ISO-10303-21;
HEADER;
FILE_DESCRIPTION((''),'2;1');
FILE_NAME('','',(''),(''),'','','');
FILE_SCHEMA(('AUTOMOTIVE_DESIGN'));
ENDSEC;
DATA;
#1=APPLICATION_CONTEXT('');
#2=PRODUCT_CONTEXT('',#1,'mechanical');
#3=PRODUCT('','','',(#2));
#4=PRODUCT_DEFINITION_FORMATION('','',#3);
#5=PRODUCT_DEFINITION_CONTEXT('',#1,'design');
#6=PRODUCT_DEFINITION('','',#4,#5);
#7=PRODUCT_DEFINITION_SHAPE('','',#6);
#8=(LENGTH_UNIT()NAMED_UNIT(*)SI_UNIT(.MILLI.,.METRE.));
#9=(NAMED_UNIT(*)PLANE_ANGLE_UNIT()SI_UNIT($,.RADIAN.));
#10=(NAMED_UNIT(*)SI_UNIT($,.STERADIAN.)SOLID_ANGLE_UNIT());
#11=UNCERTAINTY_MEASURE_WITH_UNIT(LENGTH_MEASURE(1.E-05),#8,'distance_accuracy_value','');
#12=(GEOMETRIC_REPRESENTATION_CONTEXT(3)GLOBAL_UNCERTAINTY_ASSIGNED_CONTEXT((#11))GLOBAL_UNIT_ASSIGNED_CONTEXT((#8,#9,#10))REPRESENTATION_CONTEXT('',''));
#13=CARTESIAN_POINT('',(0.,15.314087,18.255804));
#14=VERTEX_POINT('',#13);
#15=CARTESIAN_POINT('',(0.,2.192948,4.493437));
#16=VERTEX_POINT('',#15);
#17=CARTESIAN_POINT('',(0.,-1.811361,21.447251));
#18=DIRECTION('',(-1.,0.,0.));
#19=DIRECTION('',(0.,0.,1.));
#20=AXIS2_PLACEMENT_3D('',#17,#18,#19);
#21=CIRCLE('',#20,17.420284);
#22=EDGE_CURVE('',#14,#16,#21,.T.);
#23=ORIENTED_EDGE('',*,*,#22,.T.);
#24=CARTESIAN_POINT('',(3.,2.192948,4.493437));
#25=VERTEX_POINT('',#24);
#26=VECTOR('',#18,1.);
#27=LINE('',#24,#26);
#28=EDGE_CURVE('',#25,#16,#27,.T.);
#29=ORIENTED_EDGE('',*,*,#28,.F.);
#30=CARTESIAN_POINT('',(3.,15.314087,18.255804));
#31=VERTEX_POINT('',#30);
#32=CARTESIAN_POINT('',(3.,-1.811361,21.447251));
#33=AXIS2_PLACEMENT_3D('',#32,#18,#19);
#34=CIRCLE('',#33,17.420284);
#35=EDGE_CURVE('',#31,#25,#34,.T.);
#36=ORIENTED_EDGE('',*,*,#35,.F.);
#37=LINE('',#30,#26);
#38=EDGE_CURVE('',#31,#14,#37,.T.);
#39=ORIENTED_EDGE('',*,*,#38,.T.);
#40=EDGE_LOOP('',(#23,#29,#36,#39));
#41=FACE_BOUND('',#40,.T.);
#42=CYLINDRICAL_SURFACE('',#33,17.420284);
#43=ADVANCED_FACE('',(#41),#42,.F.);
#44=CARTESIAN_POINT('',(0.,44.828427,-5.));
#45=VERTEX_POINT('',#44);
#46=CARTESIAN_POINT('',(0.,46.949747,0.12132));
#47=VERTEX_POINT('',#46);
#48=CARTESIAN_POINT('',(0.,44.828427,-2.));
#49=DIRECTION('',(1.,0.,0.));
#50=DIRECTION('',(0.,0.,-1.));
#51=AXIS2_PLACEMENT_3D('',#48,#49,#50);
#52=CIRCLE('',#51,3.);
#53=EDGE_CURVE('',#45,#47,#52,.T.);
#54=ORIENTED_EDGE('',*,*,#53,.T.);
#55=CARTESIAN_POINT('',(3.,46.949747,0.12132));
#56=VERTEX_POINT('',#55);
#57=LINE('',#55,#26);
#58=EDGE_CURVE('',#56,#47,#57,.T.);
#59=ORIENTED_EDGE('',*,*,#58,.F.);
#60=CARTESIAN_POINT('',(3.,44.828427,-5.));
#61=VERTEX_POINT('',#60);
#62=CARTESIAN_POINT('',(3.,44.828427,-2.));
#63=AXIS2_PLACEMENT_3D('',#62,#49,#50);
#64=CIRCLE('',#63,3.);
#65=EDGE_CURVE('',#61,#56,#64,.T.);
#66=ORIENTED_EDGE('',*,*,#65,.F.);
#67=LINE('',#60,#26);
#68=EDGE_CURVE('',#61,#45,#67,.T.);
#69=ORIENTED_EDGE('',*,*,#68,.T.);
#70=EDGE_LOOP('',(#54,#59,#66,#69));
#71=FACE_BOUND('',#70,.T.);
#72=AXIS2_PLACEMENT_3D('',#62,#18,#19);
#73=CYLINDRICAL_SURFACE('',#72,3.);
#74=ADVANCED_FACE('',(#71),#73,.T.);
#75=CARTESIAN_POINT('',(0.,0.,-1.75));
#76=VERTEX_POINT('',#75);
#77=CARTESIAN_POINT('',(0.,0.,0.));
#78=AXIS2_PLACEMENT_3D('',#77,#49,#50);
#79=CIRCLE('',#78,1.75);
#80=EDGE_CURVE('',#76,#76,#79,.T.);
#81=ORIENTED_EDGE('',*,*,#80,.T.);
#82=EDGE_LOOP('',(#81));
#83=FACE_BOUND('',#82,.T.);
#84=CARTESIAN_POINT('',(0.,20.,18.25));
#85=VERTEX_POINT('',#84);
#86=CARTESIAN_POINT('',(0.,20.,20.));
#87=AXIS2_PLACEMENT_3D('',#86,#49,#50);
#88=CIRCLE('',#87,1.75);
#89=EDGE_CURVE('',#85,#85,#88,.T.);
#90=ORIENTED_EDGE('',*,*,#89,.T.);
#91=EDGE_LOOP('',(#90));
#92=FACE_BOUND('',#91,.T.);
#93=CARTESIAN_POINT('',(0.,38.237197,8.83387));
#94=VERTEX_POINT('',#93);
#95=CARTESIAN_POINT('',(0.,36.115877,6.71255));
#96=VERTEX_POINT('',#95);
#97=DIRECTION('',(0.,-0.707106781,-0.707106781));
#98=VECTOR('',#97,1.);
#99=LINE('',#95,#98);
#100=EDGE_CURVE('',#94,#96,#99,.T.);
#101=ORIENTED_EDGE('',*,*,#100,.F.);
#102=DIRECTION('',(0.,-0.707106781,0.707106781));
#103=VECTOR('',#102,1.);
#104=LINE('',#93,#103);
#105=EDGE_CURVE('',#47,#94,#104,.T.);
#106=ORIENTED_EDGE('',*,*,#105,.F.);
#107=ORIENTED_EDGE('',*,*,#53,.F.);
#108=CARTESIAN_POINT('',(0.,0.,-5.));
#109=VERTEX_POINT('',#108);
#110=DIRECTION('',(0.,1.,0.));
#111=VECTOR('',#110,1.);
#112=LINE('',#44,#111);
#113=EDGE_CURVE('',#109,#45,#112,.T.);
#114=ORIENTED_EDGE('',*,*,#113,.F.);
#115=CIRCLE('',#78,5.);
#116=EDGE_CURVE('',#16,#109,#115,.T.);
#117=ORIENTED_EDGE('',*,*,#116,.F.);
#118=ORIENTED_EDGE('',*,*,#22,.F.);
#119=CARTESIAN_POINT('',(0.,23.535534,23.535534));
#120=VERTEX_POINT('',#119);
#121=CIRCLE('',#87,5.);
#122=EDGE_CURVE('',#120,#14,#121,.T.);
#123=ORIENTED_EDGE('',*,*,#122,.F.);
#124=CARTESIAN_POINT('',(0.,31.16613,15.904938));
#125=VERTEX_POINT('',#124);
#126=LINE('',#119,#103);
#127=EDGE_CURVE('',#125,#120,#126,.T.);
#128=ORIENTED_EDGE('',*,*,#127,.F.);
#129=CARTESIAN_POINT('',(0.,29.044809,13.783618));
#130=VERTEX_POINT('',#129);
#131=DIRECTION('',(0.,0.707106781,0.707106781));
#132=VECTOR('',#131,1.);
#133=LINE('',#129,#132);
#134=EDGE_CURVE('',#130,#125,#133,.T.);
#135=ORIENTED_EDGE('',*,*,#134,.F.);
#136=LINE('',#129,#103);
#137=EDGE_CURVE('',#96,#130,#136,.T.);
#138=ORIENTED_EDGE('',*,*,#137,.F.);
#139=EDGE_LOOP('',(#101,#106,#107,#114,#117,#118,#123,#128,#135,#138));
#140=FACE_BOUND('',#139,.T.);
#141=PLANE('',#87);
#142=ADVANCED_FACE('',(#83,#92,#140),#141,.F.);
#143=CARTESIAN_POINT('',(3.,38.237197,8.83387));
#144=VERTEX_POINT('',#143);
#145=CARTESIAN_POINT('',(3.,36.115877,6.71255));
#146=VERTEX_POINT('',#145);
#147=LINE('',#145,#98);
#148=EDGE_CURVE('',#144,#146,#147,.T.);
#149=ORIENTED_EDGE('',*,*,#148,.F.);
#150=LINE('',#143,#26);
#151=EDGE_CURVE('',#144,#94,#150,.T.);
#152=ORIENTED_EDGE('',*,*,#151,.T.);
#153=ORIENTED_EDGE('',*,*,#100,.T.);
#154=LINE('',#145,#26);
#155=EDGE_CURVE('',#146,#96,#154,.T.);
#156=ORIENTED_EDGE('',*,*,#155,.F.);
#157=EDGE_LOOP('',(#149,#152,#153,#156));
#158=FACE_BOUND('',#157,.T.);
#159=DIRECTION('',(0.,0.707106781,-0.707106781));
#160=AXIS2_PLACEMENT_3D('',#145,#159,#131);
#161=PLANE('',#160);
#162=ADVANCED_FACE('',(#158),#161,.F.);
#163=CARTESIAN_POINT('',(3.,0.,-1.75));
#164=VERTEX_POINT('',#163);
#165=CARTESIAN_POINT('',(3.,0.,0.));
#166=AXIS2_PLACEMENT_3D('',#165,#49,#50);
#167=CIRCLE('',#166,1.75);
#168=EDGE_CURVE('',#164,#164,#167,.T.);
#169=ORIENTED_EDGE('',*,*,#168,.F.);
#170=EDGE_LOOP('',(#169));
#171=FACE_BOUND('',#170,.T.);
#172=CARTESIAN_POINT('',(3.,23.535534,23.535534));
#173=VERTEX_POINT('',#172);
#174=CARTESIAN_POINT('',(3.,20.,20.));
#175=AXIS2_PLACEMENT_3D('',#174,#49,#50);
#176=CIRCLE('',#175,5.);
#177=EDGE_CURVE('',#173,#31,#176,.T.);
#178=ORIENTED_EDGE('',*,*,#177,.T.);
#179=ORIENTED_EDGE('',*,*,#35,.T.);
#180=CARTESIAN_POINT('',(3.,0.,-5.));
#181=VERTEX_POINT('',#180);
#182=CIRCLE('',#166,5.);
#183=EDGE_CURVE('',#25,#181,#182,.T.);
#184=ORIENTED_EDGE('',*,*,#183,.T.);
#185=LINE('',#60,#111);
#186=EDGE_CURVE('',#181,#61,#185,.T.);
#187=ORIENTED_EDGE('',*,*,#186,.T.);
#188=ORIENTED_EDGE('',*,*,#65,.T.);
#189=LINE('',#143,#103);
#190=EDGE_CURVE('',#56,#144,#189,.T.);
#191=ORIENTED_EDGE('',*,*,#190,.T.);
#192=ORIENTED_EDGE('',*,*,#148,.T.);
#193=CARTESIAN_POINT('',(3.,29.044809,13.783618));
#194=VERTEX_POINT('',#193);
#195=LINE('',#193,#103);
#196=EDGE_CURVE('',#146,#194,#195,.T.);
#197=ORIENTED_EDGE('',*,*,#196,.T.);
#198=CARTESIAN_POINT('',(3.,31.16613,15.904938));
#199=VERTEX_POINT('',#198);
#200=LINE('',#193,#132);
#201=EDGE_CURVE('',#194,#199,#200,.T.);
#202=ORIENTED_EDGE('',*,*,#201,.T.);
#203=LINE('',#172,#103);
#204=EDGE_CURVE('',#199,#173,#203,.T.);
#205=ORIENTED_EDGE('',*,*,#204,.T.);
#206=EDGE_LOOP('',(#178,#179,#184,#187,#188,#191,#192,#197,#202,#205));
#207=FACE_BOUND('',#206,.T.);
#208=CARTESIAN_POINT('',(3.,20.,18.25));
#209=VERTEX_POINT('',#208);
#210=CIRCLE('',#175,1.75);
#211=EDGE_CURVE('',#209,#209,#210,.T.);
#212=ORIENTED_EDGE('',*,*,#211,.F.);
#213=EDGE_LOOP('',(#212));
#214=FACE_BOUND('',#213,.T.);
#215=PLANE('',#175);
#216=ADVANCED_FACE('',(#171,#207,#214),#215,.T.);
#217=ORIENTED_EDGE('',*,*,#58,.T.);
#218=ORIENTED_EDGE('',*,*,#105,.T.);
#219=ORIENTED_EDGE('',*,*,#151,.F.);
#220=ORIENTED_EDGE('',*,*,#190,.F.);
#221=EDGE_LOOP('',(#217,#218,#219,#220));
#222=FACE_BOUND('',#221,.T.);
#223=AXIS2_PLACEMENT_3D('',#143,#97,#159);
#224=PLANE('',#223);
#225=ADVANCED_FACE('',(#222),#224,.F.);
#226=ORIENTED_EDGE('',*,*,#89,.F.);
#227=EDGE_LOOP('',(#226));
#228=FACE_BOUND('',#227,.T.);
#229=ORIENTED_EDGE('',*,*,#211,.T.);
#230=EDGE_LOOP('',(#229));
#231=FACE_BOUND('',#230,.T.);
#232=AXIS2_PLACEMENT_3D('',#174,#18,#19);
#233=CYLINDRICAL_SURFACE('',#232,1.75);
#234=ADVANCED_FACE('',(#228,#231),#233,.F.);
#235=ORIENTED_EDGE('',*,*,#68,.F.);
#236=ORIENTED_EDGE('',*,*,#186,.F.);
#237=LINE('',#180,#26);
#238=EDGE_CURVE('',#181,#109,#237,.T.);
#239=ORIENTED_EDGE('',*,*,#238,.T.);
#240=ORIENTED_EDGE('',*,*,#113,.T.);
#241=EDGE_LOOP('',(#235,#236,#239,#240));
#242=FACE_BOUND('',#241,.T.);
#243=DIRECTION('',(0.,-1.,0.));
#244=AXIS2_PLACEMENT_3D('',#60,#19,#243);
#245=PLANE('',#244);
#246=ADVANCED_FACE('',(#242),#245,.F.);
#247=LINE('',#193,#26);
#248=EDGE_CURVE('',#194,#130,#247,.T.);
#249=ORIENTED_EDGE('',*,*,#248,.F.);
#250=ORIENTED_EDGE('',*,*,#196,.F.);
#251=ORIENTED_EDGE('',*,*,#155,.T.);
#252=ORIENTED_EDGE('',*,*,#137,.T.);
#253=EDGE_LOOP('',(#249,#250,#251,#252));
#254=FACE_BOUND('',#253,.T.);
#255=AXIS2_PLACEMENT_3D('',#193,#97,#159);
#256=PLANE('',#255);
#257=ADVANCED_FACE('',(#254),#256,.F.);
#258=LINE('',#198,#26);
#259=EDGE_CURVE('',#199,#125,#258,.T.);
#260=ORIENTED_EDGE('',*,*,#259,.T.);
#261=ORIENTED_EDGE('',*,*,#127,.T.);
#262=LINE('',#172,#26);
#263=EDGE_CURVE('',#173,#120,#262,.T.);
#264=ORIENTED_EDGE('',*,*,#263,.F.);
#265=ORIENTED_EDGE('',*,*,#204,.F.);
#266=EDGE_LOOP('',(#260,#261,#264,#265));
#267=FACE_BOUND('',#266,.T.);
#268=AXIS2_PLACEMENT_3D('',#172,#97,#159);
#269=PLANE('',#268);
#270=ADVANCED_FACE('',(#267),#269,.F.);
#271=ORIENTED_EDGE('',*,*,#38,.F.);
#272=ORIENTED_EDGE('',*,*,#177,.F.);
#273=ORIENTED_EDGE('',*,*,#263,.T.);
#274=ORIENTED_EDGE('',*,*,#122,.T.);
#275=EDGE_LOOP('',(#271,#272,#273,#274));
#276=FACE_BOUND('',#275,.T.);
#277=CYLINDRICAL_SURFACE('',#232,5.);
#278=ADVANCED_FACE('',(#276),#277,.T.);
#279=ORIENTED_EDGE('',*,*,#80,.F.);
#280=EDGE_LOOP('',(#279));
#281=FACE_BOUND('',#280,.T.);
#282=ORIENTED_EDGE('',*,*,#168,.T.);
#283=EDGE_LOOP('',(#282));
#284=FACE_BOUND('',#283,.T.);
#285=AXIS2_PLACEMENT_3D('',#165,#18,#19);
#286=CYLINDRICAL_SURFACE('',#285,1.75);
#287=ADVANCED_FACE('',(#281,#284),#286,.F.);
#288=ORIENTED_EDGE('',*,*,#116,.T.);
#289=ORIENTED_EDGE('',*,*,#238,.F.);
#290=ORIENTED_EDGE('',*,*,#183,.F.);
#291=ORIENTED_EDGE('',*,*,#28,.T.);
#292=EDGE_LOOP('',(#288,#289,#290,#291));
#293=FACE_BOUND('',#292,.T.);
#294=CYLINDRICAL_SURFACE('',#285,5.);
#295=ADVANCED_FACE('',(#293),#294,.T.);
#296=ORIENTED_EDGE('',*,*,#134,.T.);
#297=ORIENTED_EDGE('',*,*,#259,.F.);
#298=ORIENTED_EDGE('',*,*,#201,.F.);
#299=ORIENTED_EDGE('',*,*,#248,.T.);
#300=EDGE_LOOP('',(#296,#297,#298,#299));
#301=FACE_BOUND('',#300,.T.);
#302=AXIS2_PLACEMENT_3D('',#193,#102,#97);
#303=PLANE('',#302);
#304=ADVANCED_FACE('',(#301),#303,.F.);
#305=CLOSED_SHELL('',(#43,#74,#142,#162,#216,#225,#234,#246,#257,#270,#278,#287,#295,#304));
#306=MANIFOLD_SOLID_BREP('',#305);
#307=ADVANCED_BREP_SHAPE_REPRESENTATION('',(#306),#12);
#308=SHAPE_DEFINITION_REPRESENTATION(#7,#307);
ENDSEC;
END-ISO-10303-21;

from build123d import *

# Parameters (mm, degrees)
CROQUIS1_R              = 1.75
SALIENTE_EXTRUIR1_DEPTH = 3


with BuildPart() as part:
    # Croquis1 → Saliente-Extruir1 (new body)
    with BuildSketch(Plane(origin=(0, 0, 0), x_dir=(0, 0, -1), z_dir=(1, 0, 0))):
        with BuildLine():
            Line((-23.535533906, 23.535533906), (-15.90493831, 31.166129502))
            Line((-15.90493831, 31.166129502), (-13.783617966, 29.044809158))
            Line((-13.783617966, 29.044809158), (-6.712550154, 36.11587697))
            Line((-6.712550154, 36.11587697), (-8.833870498, 38.237197314))
            Line((-8.833870498, 38.237197314), (-0.121320344, 46.949747468))
            ThreePointArc((-0.121320344, 46.949747468), (3.148050297, 47.600065722), (5, 44.828427125))
            Line((5, 44.828427125), (5, 0))
            ThreePointArc((5, 0), (-1.125347327, -4.871713599), (-4.493437357, 2.192947952))
            ThreePointArc((-4.493437357, 2.192947952), (-9.426479438, 10.796864219), (-18.255804358, 15.314086902))
            ThreePointArc((-18.255804358, 15.314086902), (-24.207168989, 17.298198916), (-23.535533906, 23.535533906))
        make_face()
        Circle(CROQUIS1_R, mode=Mode.SUBTRACT)
        with Locations((-20, 20)):
            Circle(CROQUIS1_R, mode=Mode.SUBTRACT)
    extrude(amount=SALIENTE_EXTRUIR1_DEPTH)


solid = part.part
